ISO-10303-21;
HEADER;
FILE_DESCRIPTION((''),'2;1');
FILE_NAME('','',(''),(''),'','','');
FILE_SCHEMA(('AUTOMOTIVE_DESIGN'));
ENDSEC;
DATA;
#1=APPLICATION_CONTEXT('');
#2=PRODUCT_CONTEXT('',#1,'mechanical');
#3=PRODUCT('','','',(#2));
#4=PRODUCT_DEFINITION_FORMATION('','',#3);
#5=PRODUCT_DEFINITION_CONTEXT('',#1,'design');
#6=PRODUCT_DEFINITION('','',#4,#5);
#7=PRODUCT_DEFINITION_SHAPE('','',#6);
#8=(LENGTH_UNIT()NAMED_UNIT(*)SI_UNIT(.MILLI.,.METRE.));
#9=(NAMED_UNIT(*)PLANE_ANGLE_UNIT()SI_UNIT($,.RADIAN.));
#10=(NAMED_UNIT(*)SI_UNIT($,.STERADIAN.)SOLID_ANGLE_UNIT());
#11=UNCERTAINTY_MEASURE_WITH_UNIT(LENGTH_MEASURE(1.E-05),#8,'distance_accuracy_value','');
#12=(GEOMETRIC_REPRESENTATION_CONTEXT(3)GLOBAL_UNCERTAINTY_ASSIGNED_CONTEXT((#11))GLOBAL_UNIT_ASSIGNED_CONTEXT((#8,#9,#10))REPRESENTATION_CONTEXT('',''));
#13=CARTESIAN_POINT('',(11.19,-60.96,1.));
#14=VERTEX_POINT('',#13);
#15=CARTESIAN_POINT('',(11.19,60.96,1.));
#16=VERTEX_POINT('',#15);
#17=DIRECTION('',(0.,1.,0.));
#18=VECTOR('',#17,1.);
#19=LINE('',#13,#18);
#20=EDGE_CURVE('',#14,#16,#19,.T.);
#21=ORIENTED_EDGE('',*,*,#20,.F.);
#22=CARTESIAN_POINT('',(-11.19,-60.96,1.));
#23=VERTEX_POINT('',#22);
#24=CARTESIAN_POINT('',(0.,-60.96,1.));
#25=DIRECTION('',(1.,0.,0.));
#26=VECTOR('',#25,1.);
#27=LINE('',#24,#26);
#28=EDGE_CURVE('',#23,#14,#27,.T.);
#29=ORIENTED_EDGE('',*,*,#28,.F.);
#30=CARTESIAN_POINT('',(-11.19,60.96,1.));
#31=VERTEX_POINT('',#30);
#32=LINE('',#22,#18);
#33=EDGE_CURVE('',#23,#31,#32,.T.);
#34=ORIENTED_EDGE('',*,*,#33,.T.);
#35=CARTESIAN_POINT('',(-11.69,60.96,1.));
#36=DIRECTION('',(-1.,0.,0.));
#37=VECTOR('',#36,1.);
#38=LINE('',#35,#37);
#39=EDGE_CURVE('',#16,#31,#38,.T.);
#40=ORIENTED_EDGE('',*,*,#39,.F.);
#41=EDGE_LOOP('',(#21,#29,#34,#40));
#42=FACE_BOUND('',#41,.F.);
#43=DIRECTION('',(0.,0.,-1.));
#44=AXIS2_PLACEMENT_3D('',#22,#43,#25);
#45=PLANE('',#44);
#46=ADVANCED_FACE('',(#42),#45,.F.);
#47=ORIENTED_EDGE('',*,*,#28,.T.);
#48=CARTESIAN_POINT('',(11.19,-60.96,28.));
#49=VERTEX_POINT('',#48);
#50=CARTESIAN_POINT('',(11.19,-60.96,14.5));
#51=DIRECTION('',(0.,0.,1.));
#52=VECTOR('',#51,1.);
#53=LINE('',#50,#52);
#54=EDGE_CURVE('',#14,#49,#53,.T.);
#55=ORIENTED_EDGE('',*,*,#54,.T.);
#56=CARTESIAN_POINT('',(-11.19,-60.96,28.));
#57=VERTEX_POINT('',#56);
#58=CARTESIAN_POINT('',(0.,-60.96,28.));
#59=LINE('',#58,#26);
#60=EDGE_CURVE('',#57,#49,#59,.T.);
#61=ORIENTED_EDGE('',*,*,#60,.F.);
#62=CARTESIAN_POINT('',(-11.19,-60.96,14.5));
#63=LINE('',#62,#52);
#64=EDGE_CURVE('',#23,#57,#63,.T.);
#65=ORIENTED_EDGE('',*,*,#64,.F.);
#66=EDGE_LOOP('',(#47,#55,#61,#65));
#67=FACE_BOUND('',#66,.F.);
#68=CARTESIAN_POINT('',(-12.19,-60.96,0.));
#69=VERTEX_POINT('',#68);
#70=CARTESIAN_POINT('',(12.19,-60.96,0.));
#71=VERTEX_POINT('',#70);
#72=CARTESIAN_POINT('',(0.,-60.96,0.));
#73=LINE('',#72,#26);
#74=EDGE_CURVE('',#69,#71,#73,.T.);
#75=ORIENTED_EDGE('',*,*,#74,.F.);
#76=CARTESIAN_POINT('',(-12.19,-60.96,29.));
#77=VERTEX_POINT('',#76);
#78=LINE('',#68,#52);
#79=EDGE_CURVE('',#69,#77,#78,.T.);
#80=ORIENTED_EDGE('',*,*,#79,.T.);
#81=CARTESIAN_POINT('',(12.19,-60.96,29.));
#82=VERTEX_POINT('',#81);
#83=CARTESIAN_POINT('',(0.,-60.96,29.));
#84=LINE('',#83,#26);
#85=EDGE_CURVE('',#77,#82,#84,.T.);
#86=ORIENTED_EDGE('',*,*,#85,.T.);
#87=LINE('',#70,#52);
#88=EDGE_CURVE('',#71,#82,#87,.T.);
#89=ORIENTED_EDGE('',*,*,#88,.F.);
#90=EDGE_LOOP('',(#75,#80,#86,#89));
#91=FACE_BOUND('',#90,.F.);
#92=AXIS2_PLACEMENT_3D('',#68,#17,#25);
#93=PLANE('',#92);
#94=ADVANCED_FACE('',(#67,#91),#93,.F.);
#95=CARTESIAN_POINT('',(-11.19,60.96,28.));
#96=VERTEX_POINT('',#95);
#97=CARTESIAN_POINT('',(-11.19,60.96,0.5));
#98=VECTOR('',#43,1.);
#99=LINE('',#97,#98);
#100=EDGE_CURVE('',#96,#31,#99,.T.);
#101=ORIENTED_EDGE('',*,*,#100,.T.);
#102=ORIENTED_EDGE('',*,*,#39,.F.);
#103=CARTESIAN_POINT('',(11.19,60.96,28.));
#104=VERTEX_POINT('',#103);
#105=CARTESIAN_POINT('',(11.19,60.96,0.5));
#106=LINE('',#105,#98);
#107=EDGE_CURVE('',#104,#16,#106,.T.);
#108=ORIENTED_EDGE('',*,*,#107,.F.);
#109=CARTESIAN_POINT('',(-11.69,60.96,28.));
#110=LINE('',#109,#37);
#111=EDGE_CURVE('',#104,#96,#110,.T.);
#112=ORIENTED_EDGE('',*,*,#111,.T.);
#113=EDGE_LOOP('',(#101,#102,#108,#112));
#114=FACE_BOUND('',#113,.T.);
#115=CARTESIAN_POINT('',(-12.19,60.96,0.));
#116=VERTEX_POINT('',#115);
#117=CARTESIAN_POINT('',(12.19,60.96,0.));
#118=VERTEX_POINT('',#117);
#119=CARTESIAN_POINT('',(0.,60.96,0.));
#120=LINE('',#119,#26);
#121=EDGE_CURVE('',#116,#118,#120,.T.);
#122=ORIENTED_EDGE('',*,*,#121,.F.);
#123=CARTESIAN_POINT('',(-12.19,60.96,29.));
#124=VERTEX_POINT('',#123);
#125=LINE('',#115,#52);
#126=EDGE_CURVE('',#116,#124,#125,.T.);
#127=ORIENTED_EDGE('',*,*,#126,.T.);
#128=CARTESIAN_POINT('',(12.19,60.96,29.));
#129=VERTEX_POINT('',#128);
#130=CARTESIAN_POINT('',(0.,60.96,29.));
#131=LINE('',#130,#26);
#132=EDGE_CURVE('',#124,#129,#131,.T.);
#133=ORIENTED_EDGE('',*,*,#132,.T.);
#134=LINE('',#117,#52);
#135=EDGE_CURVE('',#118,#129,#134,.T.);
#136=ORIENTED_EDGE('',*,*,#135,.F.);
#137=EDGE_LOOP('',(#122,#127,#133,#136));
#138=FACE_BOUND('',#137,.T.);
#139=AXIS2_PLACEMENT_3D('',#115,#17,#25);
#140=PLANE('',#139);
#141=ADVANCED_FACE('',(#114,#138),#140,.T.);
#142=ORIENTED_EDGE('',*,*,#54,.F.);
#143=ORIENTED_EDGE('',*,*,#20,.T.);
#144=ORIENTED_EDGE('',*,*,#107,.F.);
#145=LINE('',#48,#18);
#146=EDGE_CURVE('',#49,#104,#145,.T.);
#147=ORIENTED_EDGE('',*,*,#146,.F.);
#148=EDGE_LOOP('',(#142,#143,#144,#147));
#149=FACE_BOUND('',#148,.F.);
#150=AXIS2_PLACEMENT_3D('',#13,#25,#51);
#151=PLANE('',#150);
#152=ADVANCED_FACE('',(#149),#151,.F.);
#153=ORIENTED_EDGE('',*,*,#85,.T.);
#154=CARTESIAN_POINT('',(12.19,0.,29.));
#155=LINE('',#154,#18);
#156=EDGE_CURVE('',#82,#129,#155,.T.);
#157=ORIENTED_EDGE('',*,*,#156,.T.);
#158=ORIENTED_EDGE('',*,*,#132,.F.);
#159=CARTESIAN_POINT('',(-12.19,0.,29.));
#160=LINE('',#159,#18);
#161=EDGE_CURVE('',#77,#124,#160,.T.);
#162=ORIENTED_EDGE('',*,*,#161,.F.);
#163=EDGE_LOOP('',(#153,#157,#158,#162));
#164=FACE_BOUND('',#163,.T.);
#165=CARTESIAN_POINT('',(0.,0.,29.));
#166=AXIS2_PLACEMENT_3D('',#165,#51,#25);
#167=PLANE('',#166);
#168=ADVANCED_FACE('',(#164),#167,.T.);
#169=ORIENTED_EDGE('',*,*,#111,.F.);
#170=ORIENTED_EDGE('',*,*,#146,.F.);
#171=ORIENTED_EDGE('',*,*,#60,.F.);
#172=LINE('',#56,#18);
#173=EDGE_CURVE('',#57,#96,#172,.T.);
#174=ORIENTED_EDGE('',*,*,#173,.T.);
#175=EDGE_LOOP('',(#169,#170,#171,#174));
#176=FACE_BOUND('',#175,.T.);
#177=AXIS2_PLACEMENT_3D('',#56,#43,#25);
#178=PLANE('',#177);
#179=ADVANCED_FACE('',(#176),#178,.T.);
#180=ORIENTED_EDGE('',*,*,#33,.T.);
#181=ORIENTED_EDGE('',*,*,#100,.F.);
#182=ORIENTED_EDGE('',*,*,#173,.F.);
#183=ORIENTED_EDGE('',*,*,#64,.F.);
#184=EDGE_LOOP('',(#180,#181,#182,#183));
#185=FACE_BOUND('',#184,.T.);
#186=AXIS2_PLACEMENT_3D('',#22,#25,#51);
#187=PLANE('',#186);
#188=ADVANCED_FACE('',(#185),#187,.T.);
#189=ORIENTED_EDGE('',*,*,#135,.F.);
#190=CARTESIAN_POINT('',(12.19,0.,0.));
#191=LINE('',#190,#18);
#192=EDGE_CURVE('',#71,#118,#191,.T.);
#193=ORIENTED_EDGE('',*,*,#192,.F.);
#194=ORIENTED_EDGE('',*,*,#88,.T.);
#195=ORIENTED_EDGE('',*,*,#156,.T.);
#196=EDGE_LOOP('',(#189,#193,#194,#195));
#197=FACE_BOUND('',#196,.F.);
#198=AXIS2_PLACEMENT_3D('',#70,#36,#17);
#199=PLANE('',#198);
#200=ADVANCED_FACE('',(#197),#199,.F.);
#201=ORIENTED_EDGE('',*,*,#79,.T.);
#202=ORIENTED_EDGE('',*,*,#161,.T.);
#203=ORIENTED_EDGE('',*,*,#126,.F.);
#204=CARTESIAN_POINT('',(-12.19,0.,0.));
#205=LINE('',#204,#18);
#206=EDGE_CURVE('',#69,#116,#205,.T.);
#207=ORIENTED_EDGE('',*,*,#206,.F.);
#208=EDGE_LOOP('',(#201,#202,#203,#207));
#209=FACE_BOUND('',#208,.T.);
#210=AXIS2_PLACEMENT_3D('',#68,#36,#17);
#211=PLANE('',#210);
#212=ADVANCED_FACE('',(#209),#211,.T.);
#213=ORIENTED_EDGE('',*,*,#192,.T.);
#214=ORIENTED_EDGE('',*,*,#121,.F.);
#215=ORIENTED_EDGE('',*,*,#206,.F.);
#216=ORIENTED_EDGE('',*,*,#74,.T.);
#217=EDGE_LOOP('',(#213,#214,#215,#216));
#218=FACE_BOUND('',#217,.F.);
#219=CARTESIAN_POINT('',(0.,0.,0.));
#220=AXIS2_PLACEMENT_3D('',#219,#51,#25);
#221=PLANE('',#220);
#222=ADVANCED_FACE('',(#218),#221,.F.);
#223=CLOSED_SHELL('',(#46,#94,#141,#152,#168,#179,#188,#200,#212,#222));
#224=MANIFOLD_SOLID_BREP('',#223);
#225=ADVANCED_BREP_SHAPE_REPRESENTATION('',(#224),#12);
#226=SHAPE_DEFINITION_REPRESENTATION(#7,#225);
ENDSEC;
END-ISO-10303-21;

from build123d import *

# Parameters (mm, degrees)
F0_W     = 24.38
F0_H     = 121.92
F1_DEPTH = 29
F2_W     = 22.38
F2_H     = 27
F3_DEPTH = 121.921


with BuildPart() as f1:
    # F0 (on Top) → F1 (new body)
    with BuildSketch(Plane.XY):
        Rectangle(F0_W, F0_H)
    extrude(amount=F1_DEPTH)

    # F2 (on face) → F3 (cut, through all)
    with BuildSketch(Plane.XZ.offset(60.96)):
        with Locations((0, 14.5)):
            Rectangle(F2_W, F2_H)
    extrude(amount=-F3_DEPTH, mode=Mode.SUBTRACT)


solid = f1.part
